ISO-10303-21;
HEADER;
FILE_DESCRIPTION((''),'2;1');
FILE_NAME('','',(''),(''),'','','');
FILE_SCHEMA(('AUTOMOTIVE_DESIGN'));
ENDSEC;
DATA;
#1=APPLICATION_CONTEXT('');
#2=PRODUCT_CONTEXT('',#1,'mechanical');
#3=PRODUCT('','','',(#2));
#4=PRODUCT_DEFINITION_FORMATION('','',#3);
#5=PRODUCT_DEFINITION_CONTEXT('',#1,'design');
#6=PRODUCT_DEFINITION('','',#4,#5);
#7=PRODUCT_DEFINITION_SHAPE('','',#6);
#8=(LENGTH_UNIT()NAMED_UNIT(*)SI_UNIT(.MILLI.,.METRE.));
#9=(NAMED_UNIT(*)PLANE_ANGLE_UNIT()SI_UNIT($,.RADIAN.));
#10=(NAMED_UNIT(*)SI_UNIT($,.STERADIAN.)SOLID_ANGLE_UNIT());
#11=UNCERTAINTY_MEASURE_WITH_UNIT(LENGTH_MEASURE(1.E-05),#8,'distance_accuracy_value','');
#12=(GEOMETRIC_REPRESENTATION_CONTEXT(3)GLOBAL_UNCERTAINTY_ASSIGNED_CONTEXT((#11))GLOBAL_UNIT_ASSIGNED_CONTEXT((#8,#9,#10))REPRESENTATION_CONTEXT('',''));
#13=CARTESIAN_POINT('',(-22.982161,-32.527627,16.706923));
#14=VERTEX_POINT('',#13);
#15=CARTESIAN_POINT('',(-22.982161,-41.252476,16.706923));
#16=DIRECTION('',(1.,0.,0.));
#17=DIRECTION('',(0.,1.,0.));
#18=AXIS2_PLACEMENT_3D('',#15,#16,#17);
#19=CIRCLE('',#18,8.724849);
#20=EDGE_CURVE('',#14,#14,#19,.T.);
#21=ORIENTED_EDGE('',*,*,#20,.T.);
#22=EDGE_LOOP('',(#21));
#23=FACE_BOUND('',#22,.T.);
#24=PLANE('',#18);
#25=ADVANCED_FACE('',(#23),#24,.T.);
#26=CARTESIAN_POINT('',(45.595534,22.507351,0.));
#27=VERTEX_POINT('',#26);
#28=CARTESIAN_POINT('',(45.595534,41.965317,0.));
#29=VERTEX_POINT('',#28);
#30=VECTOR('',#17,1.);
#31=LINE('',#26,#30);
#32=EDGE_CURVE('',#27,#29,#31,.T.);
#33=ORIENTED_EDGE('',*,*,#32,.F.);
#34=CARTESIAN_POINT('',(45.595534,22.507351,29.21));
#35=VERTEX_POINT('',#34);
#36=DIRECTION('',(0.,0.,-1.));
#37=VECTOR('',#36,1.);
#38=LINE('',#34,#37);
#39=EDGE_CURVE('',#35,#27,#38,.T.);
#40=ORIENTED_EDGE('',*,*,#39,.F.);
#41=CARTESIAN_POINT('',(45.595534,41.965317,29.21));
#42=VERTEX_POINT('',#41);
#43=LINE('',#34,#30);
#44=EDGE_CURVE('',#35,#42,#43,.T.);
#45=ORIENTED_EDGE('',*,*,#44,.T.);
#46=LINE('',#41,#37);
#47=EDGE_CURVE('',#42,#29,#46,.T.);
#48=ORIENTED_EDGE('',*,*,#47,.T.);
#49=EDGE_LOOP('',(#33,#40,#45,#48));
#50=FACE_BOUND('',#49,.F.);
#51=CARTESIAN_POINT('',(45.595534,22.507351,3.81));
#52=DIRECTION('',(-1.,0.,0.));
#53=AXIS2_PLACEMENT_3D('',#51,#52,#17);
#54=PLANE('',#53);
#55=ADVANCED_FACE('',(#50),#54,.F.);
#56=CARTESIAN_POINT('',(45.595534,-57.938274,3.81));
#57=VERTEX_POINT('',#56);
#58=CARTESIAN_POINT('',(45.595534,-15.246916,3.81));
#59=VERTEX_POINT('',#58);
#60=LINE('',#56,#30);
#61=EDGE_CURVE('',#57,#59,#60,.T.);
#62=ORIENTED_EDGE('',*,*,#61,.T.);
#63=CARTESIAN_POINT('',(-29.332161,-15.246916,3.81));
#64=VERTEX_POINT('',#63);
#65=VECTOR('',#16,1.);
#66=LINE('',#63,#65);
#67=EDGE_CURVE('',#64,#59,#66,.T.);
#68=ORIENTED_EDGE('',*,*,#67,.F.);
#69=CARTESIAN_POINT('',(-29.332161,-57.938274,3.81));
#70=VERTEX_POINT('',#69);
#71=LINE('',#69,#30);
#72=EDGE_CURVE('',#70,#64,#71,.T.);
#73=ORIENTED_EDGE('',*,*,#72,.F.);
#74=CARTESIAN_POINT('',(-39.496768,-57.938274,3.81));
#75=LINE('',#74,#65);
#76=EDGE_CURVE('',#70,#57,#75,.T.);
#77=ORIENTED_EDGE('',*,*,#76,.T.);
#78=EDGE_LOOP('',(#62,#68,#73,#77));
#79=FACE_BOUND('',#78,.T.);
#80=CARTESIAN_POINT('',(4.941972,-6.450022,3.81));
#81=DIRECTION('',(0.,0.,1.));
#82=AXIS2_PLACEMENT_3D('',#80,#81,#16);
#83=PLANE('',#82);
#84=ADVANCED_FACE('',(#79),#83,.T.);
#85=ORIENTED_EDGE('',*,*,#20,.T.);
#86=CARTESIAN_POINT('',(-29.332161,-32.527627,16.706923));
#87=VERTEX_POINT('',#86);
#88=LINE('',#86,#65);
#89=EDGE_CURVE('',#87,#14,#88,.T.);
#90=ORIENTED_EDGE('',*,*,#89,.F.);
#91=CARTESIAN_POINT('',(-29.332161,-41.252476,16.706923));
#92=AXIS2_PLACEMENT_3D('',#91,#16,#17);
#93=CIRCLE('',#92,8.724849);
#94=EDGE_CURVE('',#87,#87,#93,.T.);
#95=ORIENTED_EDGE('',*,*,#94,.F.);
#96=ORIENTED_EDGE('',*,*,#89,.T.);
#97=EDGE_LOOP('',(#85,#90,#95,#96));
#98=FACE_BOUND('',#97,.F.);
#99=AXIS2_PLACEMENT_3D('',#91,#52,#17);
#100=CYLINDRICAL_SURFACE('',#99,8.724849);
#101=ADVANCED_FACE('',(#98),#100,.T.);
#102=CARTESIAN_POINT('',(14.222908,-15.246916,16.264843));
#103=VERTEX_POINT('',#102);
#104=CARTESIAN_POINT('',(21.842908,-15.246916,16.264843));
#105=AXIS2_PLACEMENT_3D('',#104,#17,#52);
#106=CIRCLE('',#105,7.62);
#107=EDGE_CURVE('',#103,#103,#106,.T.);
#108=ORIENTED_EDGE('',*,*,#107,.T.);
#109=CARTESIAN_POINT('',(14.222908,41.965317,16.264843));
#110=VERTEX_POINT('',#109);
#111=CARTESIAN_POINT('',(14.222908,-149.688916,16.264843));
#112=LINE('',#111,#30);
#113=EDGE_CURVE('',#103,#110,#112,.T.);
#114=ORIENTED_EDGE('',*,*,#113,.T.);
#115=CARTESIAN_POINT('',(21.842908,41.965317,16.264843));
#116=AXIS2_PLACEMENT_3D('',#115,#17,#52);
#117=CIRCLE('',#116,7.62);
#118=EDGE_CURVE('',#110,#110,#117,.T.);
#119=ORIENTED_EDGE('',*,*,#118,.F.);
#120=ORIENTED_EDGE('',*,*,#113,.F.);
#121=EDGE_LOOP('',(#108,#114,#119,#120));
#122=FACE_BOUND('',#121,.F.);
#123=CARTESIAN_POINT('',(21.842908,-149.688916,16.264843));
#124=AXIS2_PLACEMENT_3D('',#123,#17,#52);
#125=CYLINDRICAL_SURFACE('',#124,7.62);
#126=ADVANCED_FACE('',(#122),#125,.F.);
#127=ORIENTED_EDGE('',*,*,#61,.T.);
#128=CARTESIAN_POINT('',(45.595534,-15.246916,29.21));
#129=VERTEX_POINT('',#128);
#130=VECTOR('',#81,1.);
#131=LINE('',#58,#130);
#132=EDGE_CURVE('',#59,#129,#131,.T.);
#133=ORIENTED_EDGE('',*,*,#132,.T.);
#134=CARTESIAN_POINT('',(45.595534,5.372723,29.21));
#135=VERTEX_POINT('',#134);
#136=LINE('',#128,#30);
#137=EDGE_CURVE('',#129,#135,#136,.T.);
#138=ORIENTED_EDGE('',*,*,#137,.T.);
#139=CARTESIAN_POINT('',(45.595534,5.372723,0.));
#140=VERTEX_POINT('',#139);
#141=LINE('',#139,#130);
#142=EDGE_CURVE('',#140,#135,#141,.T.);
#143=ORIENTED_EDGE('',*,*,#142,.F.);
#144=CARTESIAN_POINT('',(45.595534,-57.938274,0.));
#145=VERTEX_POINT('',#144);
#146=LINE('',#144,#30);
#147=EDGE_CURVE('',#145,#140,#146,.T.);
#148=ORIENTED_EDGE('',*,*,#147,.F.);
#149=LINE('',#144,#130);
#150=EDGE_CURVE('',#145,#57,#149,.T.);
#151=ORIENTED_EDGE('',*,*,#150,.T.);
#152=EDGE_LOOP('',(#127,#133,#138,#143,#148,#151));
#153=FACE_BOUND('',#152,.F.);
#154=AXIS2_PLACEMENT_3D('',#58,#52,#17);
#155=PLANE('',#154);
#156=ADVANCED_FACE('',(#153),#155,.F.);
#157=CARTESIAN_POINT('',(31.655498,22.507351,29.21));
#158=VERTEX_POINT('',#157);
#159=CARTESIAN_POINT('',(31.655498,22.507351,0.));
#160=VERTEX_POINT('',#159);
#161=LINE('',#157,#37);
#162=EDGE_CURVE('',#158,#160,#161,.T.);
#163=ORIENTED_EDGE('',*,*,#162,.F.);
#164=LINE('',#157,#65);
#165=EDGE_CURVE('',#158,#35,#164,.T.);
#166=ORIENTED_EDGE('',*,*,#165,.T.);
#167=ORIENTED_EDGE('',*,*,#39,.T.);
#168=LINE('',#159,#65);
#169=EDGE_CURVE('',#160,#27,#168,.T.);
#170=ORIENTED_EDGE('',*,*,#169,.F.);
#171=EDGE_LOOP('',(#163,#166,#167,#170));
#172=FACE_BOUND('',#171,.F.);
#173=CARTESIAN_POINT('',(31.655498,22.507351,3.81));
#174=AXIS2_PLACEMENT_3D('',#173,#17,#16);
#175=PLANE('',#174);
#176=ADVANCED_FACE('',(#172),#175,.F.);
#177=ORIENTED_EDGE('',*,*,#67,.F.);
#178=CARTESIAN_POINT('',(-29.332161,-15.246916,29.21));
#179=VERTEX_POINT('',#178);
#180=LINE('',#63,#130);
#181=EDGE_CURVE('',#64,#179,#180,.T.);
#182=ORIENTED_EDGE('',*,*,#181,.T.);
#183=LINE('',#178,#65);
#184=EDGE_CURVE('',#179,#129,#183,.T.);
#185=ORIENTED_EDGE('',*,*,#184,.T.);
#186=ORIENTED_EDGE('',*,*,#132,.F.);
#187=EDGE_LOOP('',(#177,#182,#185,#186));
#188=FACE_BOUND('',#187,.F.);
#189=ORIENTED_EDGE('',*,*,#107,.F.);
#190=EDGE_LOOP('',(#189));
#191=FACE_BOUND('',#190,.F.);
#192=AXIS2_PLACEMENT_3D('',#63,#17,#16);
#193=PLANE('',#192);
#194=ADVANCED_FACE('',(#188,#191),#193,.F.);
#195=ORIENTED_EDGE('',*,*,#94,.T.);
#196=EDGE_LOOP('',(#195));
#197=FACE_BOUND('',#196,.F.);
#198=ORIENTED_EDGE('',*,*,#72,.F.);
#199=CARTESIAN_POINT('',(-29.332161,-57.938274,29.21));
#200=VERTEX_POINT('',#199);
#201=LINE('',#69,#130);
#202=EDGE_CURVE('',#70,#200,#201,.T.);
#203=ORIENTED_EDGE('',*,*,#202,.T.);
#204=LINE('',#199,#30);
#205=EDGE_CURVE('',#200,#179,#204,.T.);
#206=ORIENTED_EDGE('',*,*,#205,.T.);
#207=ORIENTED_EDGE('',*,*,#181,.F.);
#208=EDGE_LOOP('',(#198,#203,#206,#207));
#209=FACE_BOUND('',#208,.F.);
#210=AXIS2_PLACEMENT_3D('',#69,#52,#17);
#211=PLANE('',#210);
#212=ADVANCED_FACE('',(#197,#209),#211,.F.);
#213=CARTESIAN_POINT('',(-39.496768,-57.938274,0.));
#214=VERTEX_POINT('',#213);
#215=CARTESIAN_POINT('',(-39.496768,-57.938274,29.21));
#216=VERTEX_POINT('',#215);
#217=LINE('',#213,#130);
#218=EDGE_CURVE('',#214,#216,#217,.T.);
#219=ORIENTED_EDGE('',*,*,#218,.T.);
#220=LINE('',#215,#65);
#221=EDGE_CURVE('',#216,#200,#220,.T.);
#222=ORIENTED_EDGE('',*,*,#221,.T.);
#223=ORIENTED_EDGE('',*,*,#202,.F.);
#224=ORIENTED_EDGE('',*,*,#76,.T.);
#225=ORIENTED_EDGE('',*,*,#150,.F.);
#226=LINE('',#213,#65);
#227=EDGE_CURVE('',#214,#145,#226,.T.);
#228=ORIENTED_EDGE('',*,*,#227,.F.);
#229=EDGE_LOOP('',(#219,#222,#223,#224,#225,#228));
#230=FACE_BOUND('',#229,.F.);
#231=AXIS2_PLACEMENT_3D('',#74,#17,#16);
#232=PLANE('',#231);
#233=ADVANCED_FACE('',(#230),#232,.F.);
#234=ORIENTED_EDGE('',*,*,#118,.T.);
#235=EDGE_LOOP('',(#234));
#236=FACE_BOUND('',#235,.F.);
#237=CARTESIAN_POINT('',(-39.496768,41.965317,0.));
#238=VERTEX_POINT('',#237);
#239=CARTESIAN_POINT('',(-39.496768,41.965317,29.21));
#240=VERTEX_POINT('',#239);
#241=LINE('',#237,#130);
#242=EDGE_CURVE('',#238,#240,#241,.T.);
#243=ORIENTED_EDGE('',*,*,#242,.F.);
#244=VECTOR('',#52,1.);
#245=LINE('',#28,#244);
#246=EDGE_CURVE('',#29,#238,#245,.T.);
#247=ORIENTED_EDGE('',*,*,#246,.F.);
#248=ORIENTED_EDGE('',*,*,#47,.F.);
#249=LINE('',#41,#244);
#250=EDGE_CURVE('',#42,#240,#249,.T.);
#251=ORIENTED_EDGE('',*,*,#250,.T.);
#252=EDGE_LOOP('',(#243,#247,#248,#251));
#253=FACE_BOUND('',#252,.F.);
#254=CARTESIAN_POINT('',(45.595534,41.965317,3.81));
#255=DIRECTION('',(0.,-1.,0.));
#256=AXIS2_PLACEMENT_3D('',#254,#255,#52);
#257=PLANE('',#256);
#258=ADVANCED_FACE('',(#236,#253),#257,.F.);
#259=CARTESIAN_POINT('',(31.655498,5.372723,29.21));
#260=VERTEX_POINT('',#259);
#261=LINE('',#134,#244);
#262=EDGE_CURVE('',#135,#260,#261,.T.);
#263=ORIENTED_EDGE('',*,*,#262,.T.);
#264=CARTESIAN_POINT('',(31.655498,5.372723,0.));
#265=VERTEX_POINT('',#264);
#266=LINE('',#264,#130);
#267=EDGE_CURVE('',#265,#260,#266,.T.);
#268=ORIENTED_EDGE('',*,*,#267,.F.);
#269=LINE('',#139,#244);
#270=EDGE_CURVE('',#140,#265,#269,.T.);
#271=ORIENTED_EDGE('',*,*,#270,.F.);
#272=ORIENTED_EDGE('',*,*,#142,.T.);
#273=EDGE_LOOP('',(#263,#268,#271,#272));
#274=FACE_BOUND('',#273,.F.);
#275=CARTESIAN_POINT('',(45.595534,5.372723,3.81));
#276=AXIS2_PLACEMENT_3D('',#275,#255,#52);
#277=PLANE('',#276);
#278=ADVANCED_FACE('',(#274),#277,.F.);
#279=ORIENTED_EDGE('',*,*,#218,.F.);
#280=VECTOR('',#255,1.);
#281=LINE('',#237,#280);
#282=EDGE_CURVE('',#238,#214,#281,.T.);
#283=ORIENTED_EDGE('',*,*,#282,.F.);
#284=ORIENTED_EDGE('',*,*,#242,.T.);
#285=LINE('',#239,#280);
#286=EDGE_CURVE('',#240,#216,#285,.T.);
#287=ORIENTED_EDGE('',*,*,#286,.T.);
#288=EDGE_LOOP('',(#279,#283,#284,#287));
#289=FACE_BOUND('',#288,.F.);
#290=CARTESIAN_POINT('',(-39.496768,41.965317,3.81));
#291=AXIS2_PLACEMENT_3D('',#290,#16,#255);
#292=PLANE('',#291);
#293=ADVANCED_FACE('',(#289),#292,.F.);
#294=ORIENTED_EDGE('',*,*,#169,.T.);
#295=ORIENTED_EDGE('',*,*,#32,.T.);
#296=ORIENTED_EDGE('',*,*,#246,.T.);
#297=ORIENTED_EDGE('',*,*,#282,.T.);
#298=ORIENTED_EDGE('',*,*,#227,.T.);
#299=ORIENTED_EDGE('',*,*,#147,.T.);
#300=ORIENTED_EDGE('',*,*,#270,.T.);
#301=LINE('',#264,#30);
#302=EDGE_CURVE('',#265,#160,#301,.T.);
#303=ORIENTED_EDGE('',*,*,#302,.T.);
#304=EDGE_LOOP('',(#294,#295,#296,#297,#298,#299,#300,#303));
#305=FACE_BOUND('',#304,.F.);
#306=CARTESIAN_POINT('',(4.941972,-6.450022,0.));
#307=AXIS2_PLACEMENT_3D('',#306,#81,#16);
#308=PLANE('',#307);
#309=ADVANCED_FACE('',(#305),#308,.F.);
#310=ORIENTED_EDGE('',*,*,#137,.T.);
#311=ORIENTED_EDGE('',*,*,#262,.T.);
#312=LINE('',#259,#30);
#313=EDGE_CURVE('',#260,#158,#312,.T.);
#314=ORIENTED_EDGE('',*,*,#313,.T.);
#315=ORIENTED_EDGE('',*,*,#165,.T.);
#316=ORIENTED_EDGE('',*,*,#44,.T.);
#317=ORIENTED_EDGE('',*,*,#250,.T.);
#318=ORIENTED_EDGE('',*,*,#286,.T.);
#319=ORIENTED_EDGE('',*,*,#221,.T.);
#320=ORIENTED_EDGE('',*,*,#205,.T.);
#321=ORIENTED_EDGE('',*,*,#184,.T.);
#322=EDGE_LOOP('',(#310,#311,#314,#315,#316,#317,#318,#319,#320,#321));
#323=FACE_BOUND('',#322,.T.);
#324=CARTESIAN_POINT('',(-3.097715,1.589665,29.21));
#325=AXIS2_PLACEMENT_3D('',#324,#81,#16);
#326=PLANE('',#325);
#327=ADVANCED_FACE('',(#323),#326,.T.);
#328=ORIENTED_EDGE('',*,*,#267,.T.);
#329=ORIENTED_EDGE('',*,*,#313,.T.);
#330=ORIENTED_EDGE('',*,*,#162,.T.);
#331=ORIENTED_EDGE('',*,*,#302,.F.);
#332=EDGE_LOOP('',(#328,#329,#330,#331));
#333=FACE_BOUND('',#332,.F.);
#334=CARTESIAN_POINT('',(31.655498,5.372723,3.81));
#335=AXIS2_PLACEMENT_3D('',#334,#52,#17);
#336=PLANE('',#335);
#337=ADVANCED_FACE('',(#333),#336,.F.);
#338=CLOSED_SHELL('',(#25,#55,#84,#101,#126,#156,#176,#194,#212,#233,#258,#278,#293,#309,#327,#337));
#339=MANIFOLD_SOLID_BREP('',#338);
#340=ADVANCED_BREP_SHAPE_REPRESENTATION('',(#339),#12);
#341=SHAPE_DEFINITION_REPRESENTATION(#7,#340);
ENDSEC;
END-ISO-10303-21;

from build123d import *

# Parameters (mm, degrees)
F1_DEPTH = 3.81
F3_DEPTH = 25.4
F4_R     = 8.724849
F5_DEPTH = 6.35
F7_D     = 15.24


with BuildPart() as f1:
    # F0 (on Top) → F1 (new body)
    with BuildSketch(Plane.XY):
        Polygon((-39.496768, 41.965317), (-39.496768, 35.576135), (-39.496768, -57.938274), (45.595534, -57.938274), (45.595534, 5.372723), (31.655498, 5.372723), (31.655498, 22.507351), (45.595534, 22.507351), (45.595534, 41.965317), align=None)
    extrude(amount=F1_DEPTH)

    # F2 (on face) → F3 (join)
    with BuildSketch(Plane.XY.offset(3.81)):
        Polygon((45.595534, 41.965317), (-39.496768, 41.965317), (-39.496768, -57.938274), (-29.332161, -57.938274), (-29.332161, -15.246916), (45.595534, -15.246916), (45.595534, 5.372723), (31.655498, 5.372723), (31.655498, 22.507351), (45.595534, 22.507351), align=None)
    extrude(amount=F3_DEPTH)

    # F4 (on face) → F5 (join)
    with BuildSketch(Plane.YZ.offset(-29.332161)):
        with Locations((-41.252476, 16.706923)):
            Circle(F4_R)
    extrude(amount=F5_DEPTH)

    # F7 (through all)
    with Locations(Plane.XZ.offset(15.246916)):
        with Locations((21.842908, 16.264843)):
            Hole(F7_D / 2)


solid = f1.part
